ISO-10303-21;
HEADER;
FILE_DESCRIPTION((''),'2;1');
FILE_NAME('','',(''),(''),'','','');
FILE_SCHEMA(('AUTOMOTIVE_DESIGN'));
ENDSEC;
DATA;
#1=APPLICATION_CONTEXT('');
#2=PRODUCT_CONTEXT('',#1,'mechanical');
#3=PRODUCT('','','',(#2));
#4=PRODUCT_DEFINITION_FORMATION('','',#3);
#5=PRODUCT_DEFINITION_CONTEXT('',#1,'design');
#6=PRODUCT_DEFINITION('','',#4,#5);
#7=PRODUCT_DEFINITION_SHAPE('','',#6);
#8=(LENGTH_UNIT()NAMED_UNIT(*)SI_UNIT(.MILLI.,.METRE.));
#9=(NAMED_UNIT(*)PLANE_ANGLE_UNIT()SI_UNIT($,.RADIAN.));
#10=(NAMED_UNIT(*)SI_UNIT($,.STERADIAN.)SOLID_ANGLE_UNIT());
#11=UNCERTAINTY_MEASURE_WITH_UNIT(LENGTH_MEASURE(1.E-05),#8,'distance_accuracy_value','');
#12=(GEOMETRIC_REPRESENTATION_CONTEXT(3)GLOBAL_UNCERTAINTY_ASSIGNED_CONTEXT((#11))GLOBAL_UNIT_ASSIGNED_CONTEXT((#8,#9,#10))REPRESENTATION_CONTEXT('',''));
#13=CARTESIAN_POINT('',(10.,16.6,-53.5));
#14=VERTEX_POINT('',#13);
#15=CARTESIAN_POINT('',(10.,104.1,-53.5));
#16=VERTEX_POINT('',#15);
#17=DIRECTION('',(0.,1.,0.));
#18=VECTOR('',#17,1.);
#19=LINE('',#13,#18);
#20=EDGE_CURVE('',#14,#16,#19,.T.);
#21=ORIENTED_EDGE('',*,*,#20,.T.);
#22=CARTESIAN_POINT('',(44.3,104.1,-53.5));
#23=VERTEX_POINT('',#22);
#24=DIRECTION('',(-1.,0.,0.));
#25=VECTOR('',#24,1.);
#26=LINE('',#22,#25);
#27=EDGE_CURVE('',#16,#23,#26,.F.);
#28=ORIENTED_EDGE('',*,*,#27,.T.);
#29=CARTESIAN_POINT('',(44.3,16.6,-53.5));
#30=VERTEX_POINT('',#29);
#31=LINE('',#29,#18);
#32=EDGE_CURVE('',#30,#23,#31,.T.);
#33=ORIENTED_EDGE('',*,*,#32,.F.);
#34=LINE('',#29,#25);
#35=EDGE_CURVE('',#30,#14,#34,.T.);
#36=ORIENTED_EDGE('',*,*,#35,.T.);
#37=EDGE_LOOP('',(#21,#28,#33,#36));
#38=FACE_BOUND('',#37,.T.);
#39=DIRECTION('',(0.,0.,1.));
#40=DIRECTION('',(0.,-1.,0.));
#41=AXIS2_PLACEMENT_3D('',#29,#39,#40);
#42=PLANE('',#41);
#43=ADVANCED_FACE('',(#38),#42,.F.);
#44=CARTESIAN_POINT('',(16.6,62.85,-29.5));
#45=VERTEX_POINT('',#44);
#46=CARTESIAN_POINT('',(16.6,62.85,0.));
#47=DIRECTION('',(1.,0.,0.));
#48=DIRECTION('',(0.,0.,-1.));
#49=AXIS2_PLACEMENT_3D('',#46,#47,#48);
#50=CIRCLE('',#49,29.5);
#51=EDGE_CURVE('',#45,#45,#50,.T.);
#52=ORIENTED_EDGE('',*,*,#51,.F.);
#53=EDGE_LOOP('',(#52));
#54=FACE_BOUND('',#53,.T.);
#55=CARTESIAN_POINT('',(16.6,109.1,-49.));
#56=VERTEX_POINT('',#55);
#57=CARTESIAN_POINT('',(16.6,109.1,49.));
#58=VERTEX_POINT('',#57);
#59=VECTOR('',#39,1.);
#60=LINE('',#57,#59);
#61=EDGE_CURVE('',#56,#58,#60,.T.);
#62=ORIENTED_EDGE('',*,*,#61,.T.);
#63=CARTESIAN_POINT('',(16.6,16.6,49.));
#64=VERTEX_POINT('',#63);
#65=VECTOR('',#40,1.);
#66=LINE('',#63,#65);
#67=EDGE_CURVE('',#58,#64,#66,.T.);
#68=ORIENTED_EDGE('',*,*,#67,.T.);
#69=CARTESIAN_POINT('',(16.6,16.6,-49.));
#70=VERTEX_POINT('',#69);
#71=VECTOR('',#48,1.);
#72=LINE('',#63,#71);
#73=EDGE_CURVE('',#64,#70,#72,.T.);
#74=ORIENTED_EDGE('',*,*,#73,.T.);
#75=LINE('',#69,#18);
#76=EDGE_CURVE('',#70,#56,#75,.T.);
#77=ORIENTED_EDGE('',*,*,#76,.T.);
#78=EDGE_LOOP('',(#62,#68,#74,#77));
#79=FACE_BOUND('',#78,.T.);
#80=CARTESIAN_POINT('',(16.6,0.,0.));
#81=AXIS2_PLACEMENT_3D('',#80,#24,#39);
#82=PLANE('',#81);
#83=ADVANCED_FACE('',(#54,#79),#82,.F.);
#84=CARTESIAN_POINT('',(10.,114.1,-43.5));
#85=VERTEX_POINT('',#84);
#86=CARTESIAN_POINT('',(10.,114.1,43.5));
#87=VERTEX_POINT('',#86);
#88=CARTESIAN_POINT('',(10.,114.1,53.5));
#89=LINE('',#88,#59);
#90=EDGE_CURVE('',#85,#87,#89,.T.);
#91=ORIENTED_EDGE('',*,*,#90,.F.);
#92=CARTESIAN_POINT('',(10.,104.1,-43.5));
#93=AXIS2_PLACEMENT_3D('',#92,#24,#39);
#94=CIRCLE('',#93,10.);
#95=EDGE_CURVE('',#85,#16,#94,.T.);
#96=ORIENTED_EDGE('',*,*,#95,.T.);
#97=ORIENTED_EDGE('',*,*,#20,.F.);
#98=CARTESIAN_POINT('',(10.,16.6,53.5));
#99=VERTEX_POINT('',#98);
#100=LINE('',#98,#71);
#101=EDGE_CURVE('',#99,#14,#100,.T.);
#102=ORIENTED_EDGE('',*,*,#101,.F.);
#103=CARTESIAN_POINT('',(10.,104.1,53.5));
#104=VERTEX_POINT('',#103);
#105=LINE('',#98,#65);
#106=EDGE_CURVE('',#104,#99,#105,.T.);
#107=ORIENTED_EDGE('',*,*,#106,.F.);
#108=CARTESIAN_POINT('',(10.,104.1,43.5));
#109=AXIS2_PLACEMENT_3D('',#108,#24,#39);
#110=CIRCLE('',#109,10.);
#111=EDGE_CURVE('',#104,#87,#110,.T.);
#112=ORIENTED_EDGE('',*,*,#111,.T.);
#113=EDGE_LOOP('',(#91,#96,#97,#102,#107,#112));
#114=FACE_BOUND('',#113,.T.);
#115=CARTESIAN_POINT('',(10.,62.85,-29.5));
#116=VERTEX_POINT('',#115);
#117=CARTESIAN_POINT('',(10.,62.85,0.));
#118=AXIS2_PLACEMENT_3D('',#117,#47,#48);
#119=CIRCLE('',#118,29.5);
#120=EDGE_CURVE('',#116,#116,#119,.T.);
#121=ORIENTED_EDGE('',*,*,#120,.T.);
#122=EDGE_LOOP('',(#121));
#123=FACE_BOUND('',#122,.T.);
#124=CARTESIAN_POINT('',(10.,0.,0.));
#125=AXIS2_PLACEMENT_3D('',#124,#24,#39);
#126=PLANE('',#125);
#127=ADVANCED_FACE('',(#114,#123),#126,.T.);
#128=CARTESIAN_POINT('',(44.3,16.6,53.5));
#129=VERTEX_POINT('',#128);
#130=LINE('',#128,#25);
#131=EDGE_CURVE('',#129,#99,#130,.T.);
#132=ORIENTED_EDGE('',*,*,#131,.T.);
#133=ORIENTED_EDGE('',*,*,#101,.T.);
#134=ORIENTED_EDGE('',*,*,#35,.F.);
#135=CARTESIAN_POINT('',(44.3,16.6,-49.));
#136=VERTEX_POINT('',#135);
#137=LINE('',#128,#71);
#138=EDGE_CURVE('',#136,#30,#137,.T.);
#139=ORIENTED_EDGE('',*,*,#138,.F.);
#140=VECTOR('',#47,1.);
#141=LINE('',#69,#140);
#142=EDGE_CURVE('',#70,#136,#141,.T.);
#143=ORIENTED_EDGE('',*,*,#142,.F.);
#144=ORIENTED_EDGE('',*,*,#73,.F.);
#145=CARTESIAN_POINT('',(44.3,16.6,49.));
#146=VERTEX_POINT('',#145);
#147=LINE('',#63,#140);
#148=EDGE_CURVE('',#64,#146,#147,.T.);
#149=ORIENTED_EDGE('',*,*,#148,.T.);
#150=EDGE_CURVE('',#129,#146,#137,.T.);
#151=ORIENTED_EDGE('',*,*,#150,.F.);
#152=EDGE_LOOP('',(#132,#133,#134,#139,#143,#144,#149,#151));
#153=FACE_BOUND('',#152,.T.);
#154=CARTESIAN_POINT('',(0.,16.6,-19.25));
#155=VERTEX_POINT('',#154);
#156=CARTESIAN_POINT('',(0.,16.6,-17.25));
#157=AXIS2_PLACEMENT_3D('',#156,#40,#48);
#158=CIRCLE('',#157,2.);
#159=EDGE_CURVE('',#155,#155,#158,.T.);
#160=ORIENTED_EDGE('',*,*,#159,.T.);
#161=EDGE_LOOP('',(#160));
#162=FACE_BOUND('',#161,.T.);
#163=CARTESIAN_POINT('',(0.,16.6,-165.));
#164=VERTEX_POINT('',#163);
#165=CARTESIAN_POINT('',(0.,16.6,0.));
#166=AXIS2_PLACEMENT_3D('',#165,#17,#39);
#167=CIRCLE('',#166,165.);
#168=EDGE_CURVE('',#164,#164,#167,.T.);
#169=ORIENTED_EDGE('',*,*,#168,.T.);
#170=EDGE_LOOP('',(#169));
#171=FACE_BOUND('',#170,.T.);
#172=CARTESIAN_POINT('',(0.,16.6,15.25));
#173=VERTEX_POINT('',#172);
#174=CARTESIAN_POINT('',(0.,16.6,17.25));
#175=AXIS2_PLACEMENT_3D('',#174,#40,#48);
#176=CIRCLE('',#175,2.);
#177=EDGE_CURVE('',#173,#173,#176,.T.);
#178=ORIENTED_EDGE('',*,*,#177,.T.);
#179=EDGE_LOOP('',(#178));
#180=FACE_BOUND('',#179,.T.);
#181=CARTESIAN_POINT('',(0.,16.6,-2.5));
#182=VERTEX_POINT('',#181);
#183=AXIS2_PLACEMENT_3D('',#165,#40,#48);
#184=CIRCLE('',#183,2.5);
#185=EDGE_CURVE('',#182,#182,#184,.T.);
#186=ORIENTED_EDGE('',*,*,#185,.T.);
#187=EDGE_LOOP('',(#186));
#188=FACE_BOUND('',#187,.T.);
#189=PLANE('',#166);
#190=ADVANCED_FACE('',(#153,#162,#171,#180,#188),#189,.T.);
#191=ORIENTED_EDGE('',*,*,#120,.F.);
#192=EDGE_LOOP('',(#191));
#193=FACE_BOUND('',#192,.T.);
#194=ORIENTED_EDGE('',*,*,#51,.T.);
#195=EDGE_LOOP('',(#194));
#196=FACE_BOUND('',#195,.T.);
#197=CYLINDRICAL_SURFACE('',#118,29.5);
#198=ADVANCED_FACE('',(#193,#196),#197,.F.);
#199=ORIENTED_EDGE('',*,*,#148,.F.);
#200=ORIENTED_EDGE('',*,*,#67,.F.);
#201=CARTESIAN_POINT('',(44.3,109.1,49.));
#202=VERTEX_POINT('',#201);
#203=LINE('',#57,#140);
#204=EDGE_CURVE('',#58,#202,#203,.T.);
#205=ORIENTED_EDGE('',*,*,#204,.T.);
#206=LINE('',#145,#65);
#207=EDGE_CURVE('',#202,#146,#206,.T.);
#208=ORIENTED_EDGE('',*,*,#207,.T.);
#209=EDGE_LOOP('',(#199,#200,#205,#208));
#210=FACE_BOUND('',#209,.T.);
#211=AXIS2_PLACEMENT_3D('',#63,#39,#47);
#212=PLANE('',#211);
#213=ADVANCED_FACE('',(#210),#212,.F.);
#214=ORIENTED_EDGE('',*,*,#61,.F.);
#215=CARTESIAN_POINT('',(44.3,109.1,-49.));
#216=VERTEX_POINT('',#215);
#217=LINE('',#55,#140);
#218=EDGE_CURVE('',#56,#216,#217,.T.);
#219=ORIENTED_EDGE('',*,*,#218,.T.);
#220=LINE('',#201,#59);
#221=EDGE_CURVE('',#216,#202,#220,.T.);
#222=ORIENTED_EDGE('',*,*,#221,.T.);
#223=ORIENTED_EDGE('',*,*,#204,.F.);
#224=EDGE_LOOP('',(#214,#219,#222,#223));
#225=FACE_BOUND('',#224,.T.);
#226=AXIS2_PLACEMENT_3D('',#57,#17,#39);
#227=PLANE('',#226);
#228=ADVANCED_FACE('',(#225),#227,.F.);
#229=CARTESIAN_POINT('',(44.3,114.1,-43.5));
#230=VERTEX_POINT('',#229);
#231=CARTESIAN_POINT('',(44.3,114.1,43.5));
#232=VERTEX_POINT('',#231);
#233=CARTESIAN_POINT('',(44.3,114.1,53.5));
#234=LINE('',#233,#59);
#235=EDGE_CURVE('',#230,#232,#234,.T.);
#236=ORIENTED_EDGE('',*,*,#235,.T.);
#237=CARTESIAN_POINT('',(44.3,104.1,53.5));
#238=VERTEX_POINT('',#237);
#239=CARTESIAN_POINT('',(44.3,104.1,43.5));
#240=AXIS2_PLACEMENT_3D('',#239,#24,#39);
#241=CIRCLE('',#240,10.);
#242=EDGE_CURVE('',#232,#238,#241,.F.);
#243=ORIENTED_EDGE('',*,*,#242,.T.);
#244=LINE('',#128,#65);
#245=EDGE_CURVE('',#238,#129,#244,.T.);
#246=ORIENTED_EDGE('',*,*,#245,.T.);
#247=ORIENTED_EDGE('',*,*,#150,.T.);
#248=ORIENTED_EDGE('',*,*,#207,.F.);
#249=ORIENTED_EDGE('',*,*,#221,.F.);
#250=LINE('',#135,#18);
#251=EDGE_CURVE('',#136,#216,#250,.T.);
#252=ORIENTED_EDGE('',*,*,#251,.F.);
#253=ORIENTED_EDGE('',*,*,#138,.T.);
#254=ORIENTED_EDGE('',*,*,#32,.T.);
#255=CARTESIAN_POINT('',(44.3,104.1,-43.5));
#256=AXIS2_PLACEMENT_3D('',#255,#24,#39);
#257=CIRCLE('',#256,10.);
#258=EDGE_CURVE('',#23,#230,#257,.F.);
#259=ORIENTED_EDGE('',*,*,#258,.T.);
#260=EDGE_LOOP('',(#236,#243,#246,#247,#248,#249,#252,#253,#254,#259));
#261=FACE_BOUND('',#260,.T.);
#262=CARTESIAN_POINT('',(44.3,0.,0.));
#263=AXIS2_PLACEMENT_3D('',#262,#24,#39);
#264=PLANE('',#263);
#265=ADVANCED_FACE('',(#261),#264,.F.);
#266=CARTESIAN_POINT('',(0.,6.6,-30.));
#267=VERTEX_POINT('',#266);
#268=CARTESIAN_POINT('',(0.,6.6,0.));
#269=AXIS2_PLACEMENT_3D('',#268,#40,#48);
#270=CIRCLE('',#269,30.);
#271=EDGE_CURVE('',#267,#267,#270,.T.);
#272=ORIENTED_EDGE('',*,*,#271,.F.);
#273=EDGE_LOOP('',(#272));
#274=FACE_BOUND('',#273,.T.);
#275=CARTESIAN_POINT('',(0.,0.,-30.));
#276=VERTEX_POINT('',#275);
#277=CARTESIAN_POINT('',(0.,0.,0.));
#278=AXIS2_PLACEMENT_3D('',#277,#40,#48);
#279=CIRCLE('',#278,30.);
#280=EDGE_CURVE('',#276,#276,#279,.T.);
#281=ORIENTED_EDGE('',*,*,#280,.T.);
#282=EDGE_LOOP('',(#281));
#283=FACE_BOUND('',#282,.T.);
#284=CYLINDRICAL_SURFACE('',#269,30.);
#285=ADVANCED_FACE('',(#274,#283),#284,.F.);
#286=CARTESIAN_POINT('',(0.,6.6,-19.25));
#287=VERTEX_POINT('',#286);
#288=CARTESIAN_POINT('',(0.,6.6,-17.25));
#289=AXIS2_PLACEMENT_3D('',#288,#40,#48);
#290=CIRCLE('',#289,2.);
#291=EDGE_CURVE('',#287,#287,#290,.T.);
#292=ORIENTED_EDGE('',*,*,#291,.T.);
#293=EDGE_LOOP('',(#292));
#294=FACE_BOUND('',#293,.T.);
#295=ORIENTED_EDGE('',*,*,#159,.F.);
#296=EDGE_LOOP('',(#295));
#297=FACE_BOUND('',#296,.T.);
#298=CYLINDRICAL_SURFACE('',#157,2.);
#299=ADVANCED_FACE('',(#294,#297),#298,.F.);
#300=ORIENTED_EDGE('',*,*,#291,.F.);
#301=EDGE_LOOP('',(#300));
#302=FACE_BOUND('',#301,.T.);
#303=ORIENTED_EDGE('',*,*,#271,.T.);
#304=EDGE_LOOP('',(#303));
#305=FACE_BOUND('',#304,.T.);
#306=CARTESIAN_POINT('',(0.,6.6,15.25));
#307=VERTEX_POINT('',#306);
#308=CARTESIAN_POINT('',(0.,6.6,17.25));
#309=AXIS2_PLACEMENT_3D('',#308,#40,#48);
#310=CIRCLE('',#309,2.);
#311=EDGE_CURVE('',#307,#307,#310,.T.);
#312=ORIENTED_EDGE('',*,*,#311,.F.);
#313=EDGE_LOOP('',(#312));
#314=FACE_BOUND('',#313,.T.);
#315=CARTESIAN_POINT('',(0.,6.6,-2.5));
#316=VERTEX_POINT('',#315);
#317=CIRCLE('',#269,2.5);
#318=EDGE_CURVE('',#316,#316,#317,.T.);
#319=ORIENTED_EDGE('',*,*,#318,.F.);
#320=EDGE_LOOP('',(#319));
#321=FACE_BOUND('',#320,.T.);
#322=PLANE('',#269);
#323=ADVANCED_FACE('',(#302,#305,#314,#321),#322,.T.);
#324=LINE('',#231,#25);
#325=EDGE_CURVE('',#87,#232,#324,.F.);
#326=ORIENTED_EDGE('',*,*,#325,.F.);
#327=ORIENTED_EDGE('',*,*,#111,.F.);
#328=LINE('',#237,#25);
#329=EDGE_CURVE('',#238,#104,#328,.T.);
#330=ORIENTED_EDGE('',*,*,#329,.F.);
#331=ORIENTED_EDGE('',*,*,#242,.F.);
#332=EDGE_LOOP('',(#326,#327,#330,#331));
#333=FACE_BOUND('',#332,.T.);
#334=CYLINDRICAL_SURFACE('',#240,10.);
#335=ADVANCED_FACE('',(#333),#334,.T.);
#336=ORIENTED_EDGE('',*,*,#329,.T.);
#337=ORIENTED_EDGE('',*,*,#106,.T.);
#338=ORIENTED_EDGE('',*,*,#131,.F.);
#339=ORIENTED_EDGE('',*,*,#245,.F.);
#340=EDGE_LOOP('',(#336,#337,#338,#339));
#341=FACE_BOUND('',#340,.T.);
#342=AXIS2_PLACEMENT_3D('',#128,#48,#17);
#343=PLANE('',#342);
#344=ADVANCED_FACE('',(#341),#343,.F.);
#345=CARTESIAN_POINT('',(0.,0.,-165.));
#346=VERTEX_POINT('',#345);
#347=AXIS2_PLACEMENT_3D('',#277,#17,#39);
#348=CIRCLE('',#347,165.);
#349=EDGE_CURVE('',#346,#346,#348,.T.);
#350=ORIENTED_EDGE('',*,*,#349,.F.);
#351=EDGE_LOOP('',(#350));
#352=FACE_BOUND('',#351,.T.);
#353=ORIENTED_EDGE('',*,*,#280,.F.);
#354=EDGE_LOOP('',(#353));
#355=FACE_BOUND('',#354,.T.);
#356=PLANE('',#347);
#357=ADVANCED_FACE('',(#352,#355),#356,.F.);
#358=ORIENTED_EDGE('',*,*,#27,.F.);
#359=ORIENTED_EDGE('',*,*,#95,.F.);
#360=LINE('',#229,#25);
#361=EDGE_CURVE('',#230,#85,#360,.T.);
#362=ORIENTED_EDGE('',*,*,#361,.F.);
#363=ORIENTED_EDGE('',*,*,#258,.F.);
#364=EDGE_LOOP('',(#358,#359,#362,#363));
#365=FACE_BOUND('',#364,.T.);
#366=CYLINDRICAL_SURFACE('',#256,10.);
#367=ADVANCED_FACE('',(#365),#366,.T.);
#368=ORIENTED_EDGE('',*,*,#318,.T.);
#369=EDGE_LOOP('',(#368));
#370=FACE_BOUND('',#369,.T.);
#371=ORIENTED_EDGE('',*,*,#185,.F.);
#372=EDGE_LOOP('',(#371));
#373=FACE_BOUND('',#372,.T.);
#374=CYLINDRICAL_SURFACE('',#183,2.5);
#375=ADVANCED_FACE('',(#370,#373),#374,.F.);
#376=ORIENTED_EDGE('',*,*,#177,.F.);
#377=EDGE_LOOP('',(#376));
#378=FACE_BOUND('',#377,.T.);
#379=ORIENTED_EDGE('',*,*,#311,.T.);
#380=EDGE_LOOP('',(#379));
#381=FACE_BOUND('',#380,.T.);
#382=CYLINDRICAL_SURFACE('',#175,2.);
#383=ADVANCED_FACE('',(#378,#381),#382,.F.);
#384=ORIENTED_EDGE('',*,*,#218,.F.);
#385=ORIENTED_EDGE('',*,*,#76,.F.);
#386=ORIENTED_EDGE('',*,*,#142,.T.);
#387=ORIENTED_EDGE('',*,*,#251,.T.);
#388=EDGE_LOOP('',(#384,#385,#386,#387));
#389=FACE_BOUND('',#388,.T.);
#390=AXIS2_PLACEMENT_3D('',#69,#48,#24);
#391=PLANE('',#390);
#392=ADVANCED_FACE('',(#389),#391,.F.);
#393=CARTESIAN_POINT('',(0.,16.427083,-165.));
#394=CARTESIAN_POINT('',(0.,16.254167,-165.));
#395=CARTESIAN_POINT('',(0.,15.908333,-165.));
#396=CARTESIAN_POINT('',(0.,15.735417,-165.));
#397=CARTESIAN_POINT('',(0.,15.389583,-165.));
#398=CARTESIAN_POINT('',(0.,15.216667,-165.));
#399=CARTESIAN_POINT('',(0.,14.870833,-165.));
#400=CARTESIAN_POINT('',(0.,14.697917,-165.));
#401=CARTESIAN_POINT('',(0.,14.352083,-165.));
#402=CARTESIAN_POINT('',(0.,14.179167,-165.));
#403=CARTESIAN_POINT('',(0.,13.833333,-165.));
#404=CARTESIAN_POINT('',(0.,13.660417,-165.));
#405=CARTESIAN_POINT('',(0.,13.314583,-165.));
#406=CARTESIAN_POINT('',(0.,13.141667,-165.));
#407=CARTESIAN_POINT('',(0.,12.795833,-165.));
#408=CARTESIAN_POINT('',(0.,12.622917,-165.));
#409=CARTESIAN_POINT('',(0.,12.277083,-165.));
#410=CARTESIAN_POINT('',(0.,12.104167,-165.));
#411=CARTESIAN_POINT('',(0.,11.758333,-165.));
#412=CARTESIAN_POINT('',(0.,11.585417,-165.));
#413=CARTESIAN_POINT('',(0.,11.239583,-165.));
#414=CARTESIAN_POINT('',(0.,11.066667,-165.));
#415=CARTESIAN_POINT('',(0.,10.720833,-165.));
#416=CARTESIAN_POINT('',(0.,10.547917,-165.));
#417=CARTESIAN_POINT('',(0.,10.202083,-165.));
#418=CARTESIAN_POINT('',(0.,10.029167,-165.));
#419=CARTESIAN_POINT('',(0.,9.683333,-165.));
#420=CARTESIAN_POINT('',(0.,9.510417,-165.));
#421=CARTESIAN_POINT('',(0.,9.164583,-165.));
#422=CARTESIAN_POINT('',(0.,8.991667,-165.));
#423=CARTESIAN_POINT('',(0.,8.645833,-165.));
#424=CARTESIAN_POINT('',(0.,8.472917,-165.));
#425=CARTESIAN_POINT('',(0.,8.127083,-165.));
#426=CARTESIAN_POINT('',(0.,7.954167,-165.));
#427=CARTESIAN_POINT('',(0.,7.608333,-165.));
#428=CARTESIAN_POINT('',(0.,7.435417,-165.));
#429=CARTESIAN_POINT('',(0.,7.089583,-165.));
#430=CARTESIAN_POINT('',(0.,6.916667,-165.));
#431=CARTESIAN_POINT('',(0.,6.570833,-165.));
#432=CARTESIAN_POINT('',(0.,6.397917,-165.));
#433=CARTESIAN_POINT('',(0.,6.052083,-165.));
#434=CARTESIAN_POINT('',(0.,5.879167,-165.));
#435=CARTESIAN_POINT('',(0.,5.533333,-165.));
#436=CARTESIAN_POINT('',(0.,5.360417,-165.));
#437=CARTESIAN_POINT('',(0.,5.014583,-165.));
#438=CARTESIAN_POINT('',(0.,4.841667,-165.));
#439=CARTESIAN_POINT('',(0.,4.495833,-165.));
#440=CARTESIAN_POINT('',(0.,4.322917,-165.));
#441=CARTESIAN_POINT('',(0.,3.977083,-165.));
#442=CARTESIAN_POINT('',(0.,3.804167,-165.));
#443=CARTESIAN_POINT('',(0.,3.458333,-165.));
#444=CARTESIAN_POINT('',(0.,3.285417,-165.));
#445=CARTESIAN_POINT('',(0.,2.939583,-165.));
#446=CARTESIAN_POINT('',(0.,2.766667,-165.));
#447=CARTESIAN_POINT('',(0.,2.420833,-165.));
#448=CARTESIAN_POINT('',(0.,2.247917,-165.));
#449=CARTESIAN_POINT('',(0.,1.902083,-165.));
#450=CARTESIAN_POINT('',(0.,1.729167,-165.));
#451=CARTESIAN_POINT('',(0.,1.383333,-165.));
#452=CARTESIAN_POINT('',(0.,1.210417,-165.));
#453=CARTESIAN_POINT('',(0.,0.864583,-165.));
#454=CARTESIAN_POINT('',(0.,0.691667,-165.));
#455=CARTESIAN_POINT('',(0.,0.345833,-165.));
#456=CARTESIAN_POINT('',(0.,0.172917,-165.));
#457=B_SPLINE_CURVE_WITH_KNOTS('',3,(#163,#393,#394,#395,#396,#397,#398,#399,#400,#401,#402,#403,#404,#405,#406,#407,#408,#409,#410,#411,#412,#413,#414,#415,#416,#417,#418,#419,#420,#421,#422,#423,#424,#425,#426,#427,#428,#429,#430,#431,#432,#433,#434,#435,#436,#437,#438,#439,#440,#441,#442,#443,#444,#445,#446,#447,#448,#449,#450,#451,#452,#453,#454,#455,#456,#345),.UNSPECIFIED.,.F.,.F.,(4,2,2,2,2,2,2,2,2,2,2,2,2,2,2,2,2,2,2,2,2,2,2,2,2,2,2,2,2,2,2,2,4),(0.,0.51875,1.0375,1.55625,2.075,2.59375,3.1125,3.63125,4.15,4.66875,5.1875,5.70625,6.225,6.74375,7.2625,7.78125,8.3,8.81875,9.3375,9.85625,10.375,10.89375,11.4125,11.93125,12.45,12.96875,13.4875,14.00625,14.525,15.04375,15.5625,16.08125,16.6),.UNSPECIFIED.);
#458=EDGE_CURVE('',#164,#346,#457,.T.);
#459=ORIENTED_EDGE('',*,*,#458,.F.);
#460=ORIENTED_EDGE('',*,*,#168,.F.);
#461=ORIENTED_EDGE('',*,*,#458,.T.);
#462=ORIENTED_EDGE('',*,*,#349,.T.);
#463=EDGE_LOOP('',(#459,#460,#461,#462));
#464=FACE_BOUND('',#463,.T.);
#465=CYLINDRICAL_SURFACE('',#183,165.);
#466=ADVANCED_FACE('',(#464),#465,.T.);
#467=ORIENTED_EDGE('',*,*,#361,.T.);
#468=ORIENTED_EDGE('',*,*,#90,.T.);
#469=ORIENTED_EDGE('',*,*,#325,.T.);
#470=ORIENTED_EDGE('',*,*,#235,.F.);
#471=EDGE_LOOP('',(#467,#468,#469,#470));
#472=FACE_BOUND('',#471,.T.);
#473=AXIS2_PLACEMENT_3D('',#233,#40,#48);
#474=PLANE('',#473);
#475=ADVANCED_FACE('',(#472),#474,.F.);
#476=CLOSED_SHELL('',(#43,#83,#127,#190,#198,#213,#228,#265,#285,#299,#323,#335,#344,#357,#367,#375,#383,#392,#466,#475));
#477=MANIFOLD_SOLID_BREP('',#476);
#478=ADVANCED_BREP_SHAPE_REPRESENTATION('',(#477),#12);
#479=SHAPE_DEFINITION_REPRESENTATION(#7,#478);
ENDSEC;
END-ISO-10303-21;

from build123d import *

# Parameters (mm, degrees)
SKETCH_1_R          = 165
EXTRUDE_1_DEPTH     = 16.6
SKETCH_2_R          = 30
CUT_EXTRUDE_1_DEPTH = 6.6
SKETCH_3_R          = 2.5
SKETCH_3_R_2        = 2
CUT_EXTRUDE_2_DEPTH = 234.559414283
SKETCH_4_W          = 107
SKETCH_4_H          = 97.5
EXTRUDE_2_DEPTH     = 34.3
SKETCH_5_W          = 98
SKETCH_5_H          = 92.5
CUT_EXTRUDE_3_DEPTH = 27.7
SKETCH_6_R          = 29.5
CUT_EXTRUDE_4_DEPTH = 6.6
FILLET_1_R          = 10


with BuildPart() as part:
    # 草图1 → 凸台-拉伸1 (new body)
    with BuildSketch(Plane(origin=(0, 0, 0), x_dir=(1, 0, 0), z_dir=(0, 1, 0))):
        with Locations(Location((0, 0, 0), (0, 0, 90))):
            Circle(SKETCH_1_R)
    extrude(amount=EXTRUDE_1_DEPTH)

    # 草图2 → 切除-拉伸1 (cut)
    with BuildSketch(Plane.XZ):
        with Locations(Location((0, 0, 0), (0, 0, 270))):
            Circle(SKETCH_2_R)
    extrude(amount=-CUT_EXTRUDE_1_DEPTH, mode=Mode.SUBTRACT)

    # 草图3 → 切除-拉伸2 (cut, through all)
    with BuildSketch(Plane.XZ.offset(-6.6)):
        with Locations(Location((0, 0, 0), (0, 0, 270))):
            Circle(SKETCH_3_R)
        with Locations(Location((0, 17.25, 0), (0, 0, 270))):
            Circle(SKETCH_3_R_2)
        with Locations(Location((0, -17.25, 0), (0, 0, 270))):
            Circle(SKETCH_3_R_2)
    extrude(amount=-CUT_EXTRUDE_2_DEPTH, mode=Mode.SUBTRACT)

    # 草图4 → 凸台-拉伸2 (add)
    with BuildSketch(Plane(origin=(10, 0, 0), x_dir=(0, 0, -1), z_dir=(1, 0, 0))):
        with Locations((0, 65.35)):
            Rectangle(SKETCH_4_W, SKETCH_4_H)
    extrude(amount=EXTRUDE_2_DEPTH)

    # 草图5 → 切除-拉伸3 (cut)
    with BuildSketch(Plane(origin=(44.3, 0, 0), x_dir=(0, 0, -1), z_dir=(1, 0, 0))):
        with Locations((0, 62.85)):
            Rectangle(SKETCH_5_W, SKETCH_5_H)
    extrude(amount=-CUT_EXTRUDE_3_DEPTH, mode=Mode.SUBTRACT)

    # 草图6 → 切除-拉伸4 (cut)
    with BuildSketch(Plane(origin=(16.6, 0, 0), x_dir=(0, 0, -1), z_dir=(1, 0, 0))):
        with Locations((0, 62.85)):
            Circle(SKETCH_6_R)
    extrude(amount=-CUT_EXTRUDE_4_DEPTH, mode=Mode.SUBTRACT)

    # 圆角1
    fillet_1_edges = [part.edges().sort_by_distance(p)[0] for p in [
        (27.15, 114.1, 53.5),
        (27.15, 114.1, -53.5),
    ]]
    fillet(fillet_1_edges, radius=FILLET_1_R)


solid = part.part
